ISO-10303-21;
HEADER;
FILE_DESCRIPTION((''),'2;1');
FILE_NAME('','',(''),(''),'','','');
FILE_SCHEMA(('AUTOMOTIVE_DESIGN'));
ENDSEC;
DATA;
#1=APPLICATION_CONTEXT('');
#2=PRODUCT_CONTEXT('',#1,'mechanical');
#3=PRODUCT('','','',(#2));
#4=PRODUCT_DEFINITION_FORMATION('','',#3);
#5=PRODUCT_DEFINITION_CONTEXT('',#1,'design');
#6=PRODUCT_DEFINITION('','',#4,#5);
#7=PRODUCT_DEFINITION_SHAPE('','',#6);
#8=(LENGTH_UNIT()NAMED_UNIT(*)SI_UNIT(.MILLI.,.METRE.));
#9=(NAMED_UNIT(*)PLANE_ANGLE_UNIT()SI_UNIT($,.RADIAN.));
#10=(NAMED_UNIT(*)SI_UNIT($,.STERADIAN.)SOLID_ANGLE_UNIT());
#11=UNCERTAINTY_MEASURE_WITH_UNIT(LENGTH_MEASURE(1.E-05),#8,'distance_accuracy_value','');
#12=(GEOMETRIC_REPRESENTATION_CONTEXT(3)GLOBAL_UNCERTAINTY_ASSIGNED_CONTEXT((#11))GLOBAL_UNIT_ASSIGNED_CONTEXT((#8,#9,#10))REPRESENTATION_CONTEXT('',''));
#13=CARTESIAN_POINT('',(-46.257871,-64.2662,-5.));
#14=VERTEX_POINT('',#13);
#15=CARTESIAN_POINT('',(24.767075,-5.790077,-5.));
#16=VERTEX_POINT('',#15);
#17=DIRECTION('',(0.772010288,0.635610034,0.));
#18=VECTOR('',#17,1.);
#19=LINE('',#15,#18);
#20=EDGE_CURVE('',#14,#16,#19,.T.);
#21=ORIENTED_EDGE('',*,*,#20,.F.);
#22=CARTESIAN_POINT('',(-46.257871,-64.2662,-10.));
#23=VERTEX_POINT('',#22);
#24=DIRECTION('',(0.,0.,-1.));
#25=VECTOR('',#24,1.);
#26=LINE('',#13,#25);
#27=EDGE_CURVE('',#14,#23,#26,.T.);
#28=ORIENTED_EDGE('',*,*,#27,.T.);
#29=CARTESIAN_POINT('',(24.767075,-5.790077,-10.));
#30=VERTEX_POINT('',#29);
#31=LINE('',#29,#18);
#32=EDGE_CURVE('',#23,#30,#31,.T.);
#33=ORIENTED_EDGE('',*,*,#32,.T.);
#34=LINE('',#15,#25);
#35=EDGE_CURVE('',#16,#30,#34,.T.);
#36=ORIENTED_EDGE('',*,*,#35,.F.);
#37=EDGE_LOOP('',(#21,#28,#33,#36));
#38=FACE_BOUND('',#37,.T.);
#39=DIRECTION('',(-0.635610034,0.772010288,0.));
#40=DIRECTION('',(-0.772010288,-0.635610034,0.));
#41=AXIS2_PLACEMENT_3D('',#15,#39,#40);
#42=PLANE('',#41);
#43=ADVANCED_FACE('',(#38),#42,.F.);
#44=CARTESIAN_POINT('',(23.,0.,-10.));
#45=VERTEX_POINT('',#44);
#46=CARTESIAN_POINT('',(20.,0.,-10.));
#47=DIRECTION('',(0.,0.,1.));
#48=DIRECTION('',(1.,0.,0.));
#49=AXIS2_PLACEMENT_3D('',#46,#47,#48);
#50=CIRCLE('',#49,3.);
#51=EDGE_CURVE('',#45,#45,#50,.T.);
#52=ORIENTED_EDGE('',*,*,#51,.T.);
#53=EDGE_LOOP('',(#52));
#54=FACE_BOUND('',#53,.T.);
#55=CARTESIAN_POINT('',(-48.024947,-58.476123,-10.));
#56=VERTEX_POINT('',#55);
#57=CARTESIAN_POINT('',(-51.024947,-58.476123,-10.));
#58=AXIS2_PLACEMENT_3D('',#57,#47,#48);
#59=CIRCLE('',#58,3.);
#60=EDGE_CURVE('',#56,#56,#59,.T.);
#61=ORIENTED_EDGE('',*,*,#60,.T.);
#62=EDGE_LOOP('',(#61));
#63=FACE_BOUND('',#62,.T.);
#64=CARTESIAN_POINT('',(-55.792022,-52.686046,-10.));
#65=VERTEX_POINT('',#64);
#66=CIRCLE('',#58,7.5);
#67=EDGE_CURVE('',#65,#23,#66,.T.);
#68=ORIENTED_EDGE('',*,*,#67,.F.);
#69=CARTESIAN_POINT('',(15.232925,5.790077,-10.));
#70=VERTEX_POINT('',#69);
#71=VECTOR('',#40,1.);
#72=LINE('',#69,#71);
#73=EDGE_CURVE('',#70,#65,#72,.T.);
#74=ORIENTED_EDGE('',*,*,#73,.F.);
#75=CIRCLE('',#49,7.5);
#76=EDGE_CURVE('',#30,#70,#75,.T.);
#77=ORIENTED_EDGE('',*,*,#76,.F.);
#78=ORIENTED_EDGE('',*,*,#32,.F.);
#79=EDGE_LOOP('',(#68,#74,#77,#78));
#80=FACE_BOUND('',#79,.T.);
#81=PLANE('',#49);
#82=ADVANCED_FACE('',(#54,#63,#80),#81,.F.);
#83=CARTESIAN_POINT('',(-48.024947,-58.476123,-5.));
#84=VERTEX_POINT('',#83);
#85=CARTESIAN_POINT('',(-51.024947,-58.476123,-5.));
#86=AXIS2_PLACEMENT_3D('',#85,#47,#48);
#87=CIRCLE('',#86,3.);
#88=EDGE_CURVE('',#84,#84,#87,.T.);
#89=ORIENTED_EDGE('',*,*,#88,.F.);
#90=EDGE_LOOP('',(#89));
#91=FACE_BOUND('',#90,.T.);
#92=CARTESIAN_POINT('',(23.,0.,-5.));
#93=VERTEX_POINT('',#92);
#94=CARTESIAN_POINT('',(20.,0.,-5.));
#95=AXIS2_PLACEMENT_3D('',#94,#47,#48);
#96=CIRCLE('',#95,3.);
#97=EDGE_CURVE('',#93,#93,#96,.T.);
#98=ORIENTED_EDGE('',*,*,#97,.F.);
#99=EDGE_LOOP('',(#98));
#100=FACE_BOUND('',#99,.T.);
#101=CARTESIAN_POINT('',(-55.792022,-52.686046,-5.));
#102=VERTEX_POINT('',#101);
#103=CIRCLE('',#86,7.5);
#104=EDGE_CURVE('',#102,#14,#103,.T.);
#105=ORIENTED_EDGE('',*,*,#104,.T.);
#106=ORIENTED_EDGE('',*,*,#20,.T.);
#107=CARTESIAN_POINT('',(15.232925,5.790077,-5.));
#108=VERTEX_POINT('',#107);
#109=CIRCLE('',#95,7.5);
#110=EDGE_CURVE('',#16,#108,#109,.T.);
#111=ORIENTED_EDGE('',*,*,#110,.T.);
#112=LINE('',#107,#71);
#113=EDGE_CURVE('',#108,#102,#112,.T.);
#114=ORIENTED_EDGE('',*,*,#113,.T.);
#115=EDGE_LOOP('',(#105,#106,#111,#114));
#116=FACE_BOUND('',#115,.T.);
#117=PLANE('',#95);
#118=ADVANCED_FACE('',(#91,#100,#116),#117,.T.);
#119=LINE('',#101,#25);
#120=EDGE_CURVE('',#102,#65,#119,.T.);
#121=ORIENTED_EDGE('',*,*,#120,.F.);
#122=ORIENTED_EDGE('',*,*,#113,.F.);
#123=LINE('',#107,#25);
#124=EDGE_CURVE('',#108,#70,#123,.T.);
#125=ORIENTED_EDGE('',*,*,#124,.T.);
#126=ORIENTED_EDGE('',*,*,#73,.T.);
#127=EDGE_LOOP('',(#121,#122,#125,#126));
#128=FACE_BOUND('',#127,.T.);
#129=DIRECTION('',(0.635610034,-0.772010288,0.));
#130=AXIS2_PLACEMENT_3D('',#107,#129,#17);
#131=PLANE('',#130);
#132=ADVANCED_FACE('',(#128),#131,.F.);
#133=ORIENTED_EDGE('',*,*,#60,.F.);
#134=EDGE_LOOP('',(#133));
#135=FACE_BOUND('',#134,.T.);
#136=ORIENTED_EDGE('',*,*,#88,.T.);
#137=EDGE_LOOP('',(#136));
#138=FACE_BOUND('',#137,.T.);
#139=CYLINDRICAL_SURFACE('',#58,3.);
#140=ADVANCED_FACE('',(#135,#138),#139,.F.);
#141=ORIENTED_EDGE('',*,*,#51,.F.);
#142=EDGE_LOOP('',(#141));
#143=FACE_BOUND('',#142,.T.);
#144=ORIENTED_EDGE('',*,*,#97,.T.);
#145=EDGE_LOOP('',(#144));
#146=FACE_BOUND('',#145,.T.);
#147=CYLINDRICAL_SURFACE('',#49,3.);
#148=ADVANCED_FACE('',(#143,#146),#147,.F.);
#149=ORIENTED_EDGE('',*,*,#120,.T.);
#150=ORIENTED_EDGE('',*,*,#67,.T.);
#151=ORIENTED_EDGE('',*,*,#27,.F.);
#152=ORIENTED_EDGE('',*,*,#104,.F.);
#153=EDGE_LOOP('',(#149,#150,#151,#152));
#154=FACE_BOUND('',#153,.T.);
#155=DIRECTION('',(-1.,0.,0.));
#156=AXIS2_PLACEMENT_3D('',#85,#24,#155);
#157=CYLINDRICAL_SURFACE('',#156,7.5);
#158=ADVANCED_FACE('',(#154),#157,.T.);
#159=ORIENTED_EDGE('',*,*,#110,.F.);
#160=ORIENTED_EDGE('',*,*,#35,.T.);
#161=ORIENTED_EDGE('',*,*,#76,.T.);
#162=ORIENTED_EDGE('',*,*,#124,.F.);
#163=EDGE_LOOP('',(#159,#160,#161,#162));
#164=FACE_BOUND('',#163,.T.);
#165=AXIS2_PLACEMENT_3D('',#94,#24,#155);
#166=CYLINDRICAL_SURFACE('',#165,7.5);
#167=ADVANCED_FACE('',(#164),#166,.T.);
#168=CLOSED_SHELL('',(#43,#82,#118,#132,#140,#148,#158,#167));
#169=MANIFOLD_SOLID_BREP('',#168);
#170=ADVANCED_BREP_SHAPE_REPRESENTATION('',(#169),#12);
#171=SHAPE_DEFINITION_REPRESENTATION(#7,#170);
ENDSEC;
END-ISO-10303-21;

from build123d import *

# Parameters (mm, degrees)
BOSS_EXTRU_1_START      = -10
BOSS_EXTRU_1_DEPTH      = 5
ESQUISSE2_R             = 3
ENL_V_MAT_EXTRU_1_DEPTH = 5


with BuildPart() as part:
    # Esquisse1 → Boss.-Extru.1 (new body)
    with BuildSketch(Plane.XY.offset(BOSS_EXTRU_1_START)):
        with BuildLine():
            Line((24.767075252, -5.790077162), (-46.257871267, -64.266200254))
            ThreePointArc((-46.257871267, -64.266200254), (-56.815023681, -63.243198344), (-55.792021772, -52.68604593))
            Line((-55.792021772, -52.68604593), (15.232924748, 5.790077162))
            ThreePointArc((15.232924748, 5.790077162), (25.790077162, 4.767075252), (24.767075252, -5.790077162))
        make_face()
    extrude(amount=BOSS_EXTRU_1_DEPTH)

    # Esquisse2 → Enlèv. mat.-Extru.1 (cut)
    with BuildSketch(Plane.XY.offset(-5)):
        with Locations((20, 0)):
            Circle(ESQUISSE2_R)
        with Locations((-51.024946519, -58.476123092)):
            Circle(ESQUISSE2_R)
    extrude(amount=-ENL_V_MAT_EXTRU_1_DEPTH, mode=Mode.SUBTRACT)


solid = part.part
